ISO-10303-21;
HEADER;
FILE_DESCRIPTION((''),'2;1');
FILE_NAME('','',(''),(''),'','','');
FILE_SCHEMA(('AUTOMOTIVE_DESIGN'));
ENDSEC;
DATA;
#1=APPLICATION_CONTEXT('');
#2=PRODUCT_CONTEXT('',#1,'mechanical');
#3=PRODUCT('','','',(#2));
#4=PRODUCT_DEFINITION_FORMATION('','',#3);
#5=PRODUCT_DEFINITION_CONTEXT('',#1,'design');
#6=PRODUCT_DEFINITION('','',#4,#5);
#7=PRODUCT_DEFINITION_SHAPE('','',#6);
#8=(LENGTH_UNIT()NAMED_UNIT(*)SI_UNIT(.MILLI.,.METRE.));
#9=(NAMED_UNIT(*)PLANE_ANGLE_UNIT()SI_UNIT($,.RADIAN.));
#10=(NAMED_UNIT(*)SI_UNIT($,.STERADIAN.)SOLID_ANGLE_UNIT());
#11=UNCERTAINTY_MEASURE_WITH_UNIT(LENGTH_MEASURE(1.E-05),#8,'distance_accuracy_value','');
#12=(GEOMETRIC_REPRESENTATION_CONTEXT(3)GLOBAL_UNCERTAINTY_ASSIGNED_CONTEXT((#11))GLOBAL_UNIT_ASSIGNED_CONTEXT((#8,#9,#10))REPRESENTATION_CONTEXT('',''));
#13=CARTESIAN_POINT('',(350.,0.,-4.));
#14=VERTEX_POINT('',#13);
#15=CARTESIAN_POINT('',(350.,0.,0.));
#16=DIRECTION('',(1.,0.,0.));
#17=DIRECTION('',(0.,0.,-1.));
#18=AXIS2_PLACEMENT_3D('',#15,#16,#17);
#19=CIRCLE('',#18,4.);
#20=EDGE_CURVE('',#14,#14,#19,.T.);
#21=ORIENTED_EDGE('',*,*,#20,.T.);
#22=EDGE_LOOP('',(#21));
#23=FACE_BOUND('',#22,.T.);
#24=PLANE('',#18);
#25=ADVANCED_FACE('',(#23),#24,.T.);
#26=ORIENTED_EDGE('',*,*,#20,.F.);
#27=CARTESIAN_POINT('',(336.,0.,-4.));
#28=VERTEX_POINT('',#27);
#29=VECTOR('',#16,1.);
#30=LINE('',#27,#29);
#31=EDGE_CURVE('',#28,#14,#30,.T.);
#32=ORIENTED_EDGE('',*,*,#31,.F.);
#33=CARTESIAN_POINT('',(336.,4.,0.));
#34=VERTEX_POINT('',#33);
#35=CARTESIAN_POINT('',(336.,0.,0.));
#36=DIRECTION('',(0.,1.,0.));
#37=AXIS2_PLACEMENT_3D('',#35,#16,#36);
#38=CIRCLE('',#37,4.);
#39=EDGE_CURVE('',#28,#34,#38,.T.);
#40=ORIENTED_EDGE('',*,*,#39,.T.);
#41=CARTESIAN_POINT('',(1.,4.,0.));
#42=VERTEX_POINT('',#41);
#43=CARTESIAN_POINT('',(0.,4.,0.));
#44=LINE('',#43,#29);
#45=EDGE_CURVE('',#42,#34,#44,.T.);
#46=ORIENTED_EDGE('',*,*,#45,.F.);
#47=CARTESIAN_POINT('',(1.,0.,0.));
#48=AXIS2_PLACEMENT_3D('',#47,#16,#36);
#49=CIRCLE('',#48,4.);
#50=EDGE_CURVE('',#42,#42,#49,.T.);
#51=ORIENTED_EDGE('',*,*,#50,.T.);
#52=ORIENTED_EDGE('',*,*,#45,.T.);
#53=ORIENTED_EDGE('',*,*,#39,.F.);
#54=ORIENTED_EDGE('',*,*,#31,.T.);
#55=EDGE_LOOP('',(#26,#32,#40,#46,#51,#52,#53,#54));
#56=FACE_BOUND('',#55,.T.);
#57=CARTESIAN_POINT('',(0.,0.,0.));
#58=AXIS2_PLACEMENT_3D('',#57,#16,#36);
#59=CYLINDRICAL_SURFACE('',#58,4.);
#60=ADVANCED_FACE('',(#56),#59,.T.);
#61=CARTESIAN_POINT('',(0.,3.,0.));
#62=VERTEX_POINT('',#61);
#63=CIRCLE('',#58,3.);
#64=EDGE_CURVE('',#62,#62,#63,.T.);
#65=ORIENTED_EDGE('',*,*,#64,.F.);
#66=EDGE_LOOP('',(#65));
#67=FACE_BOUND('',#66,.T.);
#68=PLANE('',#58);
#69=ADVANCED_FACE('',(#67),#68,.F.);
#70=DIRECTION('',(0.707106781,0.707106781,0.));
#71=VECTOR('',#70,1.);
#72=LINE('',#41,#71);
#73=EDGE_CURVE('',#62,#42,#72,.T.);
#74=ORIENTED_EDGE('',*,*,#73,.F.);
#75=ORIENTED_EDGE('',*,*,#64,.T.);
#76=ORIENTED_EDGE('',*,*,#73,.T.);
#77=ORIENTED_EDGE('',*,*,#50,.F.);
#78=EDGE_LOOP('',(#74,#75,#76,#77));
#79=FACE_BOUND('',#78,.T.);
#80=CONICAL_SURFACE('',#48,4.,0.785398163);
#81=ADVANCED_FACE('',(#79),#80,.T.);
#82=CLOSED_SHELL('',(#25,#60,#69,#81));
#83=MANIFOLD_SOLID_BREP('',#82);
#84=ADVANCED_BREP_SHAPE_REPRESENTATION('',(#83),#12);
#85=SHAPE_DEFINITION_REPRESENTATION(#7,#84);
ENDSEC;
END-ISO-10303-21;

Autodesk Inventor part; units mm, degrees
ref_plane "Płaszczyzna początkowa" through (0, 0, 0) normal (1, 0, 0) x (0, 1, 0)
ref_plane "XZ Plane" through (0, 0, 0) normal (0, 1, 0) x (-1, 0, 0)
ref_plane "XY Plane" through (0, 0, 0) normal (0, 0, 1) x (1, 0, 0)
sketch "Szkic główny" plane through (0, 0, 0) normal (0, 0, 1) x (1, 0, 0)
  line L0 (0, 0) -> (337, 0)
  line L1 (0, 0) -> (0, 4)
  line L2 (337, 4) -> (337, 0)
  line L3 (0, 4) -> (337, 4)
  dimension "d3" = 8
revolve "Obrót1" add sketch "Szkic główny" angle 360 about axis through (0, 0, 0) along (1, 0, 0)
thread "Gwint1" size "M8x1.25" class "6g" standard "ANSI Metric M Profile" full length
chamfer "Faza1" distance 1 angle 45 2 edges at (0, -4, 0) (337, -4, 0)
sketch "Sketch3" plane through (337, 0, 0) normal (1, 0, 0) x (0, 0, -1)
  circle A0 centre (0, 0) radius 4 projected
  circle A1 centre (0, 0) radius 3 projected
  circle A2 centre (0, 0) radius 3 projected
extrude "Extrusion1" add sketch "Sketch3" along normal blind 13 and the other way blind 1 contours A0 | A1
properties part number "ACMEThread" material "Steel"
